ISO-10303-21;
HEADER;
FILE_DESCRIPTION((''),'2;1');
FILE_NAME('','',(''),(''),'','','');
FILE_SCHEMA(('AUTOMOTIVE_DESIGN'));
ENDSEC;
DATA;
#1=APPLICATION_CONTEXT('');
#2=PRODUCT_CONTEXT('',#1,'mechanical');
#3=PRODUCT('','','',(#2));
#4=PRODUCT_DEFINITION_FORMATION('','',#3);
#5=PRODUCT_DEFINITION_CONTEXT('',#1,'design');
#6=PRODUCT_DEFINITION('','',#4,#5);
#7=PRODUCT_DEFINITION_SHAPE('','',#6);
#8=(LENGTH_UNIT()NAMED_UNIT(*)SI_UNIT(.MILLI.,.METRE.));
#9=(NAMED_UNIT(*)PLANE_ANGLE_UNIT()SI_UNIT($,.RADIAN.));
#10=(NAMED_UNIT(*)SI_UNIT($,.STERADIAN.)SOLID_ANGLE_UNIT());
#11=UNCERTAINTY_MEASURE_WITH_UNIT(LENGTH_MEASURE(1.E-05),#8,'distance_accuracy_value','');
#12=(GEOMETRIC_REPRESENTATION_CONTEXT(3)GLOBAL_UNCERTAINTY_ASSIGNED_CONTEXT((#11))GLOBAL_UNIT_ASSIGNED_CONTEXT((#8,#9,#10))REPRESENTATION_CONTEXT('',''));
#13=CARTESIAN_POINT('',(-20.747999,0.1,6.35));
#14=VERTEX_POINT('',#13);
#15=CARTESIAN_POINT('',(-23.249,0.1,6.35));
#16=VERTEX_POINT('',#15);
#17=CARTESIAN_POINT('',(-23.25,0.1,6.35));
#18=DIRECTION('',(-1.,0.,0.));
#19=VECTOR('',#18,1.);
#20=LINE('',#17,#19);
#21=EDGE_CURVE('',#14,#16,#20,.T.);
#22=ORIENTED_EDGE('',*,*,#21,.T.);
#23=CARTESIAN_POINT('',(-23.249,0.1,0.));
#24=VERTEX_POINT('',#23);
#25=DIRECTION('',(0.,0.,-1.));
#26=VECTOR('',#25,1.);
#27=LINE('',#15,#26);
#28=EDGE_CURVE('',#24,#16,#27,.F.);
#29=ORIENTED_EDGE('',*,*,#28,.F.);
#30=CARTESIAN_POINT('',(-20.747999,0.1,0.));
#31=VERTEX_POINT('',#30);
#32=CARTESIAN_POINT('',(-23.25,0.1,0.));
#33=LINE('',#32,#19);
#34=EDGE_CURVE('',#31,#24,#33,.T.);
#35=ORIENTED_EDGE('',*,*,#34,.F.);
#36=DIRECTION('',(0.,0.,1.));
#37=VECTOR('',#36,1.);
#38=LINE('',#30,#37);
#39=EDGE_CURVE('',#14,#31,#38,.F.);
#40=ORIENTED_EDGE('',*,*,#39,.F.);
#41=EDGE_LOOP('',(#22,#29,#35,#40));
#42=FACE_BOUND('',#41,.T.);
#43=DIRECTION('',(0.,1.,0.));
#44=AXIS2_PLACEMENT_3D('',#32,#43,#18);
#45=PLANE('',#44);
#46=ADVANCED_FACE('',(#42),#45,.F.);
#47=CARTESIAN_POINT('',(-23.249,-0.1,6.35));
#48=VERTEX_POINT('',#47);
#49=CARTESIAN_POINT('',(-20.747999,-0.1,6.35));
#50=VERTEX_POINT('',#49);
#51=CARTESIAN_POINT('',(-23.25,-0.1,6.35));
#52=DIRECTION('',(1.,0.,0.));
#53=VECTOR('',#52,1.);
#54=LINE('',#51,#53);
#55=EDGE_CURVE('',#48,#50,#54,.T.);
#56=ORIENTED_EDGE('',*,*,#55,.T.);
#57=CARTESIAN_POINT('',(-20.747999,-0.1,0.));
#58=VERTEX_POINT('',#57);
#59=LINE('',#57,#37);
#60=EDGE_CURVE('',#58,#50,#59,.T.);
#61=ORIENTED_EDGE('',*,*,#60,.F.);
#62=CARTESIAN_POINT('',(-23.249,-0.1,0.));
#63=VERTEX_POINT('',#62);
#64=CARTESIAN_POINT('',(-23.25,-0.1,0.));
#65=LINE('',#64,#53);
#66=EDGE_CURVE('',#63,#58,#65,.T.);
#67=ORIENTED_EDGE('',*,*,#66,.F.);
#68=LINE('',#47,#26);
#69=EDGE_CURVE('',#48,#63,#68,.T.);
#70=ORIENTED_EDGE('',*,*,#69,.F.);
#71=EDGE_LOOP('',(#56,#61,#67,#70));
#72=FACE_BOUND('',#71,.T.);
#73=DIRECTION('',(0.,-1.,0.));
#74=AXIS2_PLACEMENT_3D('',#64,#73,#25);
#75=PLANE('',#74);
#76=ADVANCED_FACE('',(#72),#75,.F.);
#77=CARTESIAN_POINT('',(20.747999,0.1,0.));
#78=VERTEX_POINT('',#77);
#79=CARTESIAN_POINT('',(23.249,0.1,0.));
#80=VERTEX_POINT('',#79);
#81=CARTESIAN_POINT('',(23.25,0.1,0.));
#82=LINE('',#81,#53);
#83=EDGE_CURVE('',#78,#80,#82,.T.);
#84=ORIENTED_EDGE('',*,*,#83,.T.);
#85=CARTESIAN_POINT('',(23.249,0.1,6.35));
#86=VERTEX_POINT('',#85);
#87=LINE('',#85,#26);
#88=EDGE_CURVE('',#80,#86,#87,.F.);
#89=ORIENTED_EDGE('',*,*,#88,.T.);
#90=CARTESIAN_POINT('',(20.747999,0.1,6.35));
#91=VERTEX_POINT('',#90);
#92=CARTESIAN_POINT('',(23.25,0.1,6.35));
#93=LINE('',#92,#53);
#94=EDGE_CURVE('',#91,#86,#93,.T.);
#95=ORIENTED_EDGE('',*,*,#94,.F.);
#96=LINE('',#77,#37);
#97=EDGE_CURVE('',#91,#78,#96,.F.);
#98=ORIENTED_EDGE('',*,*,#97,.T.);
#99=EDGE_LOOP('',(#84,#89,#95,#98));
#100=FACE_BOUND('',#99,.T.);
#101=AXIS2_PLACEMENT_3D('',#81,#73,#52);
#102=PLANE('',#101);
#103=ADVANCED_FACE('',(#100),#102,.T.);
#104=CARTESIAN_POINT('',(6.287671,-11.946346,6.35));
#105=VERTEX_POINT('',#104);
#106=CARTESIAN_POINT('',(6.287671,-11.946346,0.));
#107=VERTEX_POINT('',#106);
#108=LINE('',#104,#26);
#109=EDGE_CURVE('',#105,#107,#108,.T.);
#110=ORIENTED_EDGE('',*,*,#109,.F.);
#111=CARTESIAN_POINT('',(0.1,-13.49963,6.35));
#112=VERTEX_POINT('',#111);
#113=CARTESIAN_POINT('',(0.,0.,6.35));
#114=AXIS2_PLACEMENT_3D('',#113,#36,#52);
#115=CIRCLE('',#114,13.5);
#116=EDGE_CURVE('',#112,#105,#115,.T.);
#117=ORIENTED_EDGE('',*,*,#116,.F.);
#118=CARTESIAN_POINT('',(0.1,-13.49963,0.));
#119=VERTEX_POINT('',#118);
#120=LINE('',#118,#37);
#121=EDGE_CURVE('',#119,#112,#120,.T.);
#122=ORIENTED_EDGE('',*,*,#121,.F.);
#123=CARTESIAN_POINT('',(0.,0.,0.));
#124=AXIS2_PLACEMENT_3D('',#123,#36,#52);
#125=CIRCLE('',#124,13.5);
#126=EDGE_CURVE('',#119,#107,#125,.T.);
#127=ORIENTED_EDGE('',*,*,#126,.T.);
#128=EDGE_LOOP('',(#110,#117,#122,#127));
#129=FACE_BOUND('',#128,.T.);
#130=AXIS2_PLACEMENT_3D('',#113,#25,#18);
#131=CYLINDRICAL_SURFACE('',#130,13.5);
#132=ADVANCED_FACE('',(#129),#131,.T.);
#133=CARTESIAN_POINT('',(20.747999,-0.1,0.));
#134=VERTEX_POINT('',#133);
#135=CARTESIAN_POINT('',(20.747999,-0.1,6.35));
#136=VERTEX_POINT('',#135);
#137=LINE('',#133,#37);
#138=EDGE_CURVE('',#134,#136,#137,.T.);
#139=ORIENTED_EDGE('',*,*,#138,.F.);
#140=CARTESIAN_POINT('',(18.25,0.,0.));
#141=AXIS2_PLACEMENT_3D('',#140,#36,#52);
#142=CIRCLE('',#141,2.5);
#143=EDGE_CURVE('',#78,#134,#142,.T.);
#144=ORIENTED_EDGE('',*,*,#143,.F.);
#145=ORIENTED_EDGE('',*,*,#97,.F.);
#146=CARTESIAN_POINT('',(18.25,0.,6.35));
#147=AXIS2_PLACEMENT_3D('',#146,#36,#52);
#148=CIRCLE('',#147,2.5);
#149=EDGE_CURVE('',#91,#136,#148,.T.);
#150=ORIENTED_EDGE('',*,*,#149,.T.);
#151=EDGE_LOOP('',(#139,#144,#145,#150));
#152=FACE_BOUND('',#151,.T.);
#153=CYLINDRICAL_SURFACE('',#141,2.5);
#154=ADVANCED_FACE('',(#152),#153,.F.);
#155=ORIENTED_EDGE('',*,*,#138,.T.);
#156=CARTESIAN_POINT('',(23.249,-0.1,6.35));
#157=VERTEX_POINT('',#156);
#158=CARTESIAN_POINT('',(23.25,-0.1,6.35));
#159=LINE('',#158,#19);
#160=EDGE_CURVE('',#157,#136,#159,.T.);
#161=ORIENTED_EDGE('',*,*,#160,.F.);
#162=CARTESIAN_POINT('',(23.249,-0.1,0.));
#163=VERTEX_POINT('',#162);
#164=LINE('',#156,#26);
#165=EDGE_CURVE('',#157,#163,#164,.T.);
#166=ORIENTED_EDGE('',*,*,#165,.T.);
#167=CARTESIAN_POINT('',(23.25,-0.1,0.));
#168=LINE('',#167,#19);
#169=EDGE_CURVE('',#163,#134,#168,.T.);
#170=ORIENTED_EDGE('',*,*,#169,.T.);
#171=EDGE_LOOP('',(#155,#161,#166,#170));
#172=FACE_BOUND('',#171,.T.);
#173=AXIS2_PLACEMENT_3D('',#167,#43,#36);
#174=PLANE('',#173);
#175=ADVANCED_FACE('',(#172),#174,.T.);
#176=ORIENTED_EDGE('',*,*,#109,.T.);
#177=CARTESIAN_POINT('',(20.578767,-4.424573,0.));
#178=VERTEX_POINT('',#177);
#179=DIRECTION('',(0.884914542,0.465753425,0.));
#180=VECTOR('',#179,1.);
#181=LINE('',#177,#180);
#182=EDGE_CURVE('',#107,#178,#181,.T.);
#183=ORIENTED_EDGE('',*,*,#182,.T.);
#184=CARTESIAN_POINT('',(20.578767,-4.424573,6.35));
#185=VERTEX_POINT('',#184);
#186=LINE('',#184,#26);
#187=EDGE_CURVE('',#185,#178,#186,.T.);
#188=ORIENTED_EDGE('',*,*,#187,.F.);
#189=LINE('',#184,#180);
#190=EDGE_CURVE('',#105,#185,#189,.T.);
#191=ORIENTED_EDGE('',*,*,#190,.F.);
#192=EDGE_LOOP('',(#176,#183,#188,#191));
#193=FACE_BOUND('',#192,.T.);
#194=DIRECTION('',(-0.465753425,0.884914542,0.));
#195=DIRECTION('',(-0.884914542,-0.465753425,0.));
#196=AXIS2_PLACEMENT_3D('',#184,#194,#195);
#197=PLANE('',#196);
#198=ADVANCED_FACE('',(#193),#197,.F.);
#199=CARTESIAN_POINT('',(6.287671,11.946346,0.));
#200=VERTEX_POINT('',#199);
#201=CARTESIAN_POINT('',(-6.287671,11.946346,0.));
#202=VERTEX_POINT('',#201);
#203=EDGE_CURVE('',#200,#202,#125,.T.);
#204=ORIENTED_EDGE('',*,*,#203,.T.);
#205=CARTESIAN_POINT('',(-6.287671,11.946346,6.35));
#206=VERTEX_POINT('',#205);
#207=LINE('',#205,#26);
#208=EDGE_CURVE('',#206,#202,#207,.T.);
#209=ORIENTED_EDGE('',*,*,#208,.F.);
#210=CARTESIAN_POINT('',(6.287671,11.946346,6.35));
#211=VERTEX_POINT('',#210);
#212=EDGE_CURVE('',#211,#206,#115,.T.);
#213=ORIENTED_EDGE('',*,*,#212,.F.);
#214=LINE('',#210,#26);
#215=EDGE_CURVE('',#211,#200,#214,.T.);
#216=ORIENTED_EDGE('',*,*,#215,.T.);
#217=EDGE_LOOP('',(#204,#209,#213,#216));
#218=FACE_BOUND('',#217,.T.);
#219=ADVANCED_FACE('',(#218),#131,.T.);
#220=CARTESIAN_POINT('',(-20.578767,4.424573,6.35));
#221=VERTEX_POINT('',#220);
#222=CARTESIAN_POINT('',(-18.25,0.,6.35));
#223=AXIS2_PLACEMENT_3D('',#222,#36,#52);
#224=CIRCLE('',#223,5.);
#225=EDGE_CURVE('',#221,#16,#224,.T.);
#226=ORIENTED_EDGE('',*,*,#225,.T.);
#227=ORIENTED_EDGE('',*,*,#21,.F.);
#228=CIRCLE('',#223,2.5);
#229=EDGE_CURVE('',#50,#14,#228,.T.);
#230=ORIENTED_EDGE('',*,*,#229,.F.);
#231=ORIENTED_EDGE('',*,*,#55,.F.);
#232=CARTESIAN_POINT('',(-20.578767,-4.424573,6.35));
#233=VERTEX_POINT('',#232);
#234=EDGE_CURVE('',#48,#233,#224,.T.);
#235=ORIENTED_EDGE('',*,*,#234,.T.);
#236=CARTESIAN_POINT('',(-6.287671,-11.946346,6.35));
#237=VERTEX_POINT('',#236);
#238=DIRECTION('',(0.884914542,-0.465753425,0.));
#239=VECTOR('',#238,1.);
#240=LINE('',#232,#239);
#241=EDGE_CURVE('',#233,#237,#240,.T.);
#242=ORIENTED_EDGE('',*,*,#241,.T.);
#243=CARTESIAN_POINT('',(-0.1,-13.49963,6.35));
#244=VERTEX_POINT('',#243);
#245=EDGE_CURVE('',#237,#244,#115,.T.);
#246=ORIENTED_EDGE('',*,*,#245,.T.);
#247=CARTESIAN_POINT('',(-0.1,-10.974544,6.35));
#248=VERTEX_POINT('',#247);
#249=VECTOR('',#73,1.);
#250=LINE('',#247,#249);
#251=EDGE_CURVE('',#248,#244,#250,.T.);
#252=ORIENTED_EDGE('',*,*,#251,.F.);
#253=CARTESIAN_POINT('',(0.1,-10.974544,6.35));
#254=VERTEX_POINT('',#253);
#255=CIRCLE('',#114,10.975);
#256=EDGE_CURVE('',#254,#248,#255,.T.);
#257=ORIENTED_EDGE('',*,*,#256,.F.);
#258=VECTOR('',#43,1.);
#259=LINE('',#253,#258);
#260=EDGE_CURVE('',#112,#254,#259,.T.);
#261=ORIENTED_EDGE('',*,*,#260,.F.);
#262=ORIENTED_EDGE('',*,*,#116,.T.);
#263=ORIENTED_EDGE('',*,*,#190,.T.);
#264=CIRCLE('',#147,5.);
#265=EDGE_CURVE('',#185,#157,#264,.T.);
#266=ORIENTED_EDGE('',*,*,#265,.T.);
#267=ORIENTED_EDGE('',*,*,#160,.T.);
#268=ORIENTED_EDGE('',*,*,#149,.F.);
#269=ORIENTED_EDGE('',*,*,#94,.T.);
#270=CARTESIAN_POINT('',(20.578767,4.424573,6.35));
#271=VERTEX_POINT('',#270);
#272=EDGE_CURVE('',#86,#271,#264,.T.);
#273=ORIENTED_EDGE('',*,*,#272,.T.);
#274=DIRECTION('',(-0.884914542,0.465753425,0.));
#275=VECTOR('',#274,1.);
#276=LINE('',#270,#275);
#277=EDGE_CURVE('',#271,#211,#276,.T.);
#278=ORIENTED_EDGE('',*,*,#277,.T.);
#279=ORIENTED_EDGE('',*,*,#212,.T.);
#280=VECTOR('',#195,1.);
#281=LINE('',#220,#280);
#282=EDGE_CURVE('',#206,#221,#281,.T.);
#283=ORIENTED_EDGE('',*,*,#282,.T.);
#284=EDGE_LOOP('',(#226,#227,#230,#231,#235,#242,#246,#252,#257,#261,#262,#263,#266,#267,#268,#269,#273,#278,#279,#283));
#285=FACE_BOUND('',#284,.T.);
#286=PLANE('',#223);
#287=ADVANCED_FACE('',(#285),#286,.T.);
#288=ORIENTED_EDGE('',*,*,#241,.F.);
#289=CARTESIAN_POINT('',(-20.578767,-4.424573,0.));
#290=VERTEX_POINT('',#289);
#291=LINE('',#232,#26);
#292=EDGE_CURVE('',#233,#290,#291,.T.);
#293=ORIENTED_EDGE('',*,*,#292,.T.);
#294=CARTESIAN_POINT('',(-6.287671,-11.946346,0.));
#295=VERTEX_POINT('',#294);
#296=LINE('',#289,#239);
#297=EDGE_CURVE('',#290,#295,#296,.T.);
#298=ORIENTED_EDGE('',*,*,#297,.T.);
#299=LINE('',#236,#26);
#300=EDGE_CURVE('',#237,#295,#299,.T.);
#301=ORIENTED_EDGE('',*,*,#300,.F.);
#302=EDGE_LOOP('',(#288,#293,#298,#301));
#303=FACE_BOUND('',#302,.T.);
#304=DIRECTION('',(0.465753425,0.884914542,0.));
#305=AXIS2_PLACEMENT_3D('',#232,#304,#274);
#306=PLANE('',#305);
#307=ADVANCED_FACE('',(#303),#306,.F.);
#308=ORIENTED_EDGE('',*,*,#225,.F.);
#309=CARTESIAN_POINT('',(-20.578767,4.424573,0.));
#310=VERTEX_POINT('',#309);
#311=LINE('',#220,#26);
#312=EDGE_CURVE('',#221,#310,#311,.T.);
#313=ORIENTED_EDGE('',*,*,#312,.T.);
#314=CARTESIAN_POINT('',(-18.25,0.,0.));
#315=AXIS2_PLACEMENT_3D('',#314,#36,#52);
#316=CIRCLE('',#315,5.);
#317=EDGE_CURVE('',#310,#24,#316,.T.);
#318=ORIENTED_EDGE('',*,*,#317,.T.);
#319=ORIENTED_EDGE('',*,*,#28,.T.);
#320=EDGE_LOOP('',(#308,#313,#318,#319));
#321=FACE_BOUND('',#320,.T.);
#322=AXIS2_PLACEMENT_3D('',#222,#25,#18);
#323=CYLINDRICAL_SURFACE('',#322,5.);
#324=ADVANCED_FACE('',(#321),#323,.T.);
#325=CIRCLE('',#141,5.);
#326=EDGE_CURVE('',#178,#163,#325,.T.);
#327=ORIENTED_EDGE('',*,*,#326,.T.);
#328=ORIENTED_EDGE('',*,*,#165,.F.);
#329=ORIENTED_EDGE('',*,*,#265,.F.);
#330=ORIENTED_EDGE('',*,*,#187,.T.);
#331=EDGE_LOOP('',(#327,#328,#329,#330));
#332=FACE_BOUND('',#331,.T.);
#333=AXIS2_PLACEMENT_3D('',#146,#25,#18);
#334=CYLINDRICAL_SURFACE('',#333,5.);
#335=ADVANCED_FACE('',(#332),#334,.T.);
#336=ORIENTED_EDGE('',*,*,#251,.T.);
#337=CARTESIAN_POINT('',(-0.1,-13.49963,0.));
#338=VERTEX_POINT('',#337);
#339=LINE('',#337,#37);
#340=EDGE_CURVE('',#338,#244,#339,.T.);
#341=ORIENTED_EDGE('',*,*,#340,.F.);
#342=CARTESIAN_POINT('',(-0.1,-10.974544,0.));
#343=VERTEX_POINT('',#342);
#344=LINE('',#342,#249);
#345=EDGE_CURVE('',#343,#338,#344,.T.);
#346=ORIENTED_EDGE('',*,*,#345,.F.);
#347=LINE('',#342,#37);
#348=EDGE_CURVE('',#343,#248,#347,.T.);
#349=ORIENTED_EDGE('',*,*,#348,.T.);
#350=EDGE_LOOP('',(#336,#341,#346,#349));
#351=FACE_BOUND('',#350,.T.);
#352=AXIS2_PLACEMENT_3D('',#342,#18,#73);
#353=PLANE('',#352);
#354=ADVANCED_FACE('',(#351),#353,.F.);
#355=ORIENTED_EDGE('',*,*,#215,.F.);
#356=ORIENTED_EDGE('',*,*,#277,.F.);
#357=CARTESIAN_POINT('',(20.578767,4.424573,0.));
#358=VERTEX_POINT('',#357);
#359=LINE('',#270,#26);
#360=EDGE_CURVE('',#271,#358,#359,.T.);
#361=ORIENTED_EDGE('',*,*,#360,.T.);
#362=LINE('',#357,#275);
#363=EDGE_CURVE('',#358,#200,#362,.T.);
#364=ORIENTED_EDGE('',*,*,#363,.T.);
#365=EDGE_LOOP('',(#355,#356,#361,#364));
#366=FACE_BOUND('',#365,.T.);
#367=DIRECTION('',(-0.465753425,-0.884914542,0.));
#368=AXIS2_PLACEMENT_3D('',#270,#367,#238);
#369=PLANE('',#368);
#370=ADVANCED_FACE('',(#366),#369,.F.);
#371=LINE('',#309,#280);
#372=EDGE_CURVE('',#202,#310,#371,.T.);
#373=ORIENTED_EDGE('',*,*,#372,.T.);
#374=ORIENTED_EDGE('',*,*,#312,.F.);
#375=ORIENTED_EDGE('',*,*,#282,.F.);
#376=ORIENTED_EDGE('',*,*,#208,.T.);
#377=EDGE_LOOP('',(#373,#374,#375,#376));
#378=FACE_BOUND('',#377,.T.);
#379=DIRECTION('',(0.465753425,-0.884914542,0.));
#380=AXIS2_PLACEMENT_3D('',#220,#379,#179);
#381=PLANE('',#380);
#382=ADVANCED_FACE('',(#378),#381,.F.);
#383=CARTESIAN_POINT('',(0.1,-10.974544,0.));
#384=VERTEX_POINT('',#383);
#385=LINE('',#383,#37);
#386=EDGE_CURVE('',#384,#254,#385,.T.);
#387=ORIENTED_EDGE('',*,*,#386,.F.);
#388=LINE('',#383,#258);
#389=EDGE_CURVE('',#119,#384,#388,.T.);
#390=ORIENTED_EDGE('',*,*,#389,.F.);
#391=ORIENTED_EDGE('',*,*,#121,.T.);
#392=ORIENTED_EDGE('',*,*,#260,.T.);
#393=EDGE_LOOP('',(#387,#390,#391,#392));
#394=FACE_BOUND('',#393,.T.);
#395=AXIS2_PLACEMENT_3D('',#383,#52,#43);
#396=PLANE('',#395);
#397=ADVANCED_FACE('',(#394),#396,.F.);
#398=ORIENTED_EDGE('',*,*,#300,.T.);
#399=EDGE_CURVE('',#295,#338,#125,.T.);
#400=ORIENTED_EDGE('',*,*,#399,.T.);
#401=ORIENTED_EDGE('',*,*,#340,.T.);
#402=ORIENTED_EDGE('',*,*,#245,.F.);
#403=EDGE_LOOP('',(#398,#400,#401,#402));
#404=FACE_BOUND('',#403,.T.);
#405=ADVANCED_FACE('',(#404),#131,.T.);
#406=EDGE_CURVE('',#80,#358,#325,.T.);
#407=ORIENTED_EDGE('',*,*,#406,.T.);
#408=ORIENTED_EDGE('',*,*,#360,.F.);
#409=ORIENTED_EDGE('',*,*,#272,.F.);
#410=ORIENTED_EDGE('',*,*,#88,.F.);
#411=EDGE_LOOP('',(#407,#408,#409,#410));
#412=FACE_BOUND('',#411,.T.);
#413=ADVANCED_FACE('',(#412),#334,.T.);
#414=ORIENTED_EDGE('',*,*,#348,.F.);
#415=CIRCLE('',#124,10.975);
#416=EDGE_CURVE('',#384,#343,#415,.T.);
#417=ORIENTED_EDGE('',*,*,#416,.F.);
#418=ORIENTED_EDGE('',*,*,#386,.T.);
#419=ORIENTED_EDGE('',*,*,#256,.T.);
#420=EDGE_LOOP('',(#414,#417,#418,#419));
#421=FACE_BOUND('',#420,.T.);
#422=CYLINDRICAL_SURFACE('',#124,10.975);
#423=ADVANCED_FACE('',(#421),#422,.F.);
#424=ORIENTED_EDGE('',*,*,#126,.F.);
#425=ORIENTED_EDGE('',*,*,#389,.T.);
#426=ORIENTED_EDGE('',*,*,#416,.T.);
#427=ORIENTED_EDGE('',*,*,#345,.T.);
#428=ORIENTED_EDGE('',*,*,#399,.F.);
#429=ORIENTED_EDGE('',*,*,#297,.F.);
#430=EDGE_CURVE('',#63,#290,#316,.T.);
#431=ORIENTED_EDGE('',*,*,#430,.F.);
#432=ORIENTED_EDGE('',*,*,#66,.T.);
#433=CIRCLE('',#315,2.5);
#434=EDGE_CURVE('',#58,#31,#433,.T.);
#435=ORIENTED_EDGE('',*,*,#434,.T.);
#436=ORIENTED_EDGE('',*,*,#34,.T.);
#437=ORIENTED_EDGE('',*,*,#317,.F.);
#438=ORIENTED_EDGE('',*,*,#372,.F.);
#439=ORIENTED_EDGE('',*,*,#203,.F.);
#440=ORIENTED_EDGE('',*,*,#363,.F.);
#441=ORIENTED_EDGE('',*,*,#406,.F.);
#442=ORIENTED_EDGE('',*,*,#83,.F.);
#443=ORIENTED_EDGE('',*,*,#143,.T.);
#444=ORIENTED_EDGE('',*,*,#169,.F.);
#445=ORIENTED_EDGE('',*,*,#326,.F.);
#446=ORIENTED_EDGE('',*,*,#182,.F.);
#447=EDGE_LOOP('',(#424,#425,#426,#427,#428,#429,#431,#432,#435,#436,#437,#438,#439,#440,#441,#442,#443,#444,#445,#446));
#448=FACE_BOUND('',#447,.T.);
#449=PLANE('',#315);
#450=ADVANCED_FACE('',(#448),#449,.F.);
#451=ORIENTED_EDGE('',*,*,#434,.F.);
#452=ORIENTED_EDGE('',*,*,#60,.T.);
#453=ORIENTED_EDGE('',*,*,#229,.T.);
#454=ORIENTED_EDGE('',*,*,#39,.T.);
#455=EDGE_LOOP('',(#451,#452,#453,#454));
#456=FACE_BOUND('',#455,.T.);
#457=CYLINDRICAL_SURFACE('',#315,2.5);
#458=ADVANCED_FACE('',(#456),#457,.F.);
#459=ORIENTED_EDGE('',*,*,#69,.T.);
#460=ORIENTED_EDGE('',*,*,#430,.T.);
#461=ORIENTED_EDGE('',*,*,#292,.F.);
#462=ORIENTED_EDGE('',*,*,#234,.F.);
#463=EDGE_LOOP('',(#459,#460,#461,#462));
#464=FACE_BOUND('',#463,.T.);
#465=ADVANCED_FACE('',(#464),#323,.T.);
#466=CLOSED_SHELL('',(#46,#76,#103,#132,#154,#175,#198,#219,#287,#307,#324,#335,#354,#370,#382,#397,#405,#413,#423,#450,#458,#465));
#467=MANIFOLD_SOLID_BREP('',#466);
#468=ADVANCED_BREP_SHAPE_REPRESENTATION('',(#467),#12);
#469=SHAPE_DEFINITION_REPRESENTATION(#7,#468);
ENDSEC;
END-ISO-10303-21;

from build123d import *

# Parameters (mm, degrees)
RESSALTO_EXTRUS_O1_DEPTH = 6.35
ESBO_O2_R                = 10.975
ESBO_O2_R_2              = 2.5
CORTE_EXTRUS_O1_DEPTH    = 28.62489819
CORTE_EXTRUS_O2_DEPTH    = 28.62489819
ESBO_O4_W                = 5
ESBO_O4_H                = 0.2
CORTE_EXTRUS_O3_DEPTH    = 28.62489819


with BuildPart() as part:
    # Esboço1 → Ressalto-extrusão1 (new body)
    with BuildSketch(Plane.XY):
        with BuildLine():
            Line((-20.578767123, 4.424572712), (-6.287671233, 11.946346323))
            ThreePointArc((-6.287671233, 11.946346323), (0, 13.5), (6.287671233, 11.946346323))
            Line((6.287671233, 11.946346323), (20.578767123, 4.424572712))
            ThreePointArc((20.578767123, 4.424572712), (23.25, 0), (20.578767123, -4.424572712))
            Line((20.578767123, -4.424572712), (6.287671233, -11.946346323))
            ThreePointArc((6.287671233, -11.946346323), (0, -13.5), (-6.287671233, -11.946346323))
            Line((-6.287671233, -11.946346323), (-20.578767123, -4.424572712))
            ThreePointArc((-20.578767123, -4.424572712), (-23.25, 0), (-20.578767123, 4.424572712))
        make_face()
    extrude(amount=RESSALTO_EXTRUS_O1_DEPTH)

    # Esboço2 → Corte-extrusão1 (cut, through all)
    with BuildSketch(Plane.XY.offset(6.35)):
        Circle(ESBO_O2_R)
        with Locations((-18.25, 0)):
            Circle(ESBO_O2_R_2)
        with Locations((18.25, 0)):
            Circle(ESBO_O2_R_2)
    extrude(amount=-CORTE_EXTRUS_O1_DEPTH, mode=Mode.SUBTRACT)

    # Esboço3 → Corte-extrusão2 (cut, through all)
    with BuildSketch(Plane.XY.offset(6.35)):
        with BuildLine():
            Line((0.1, -10.97454441), (0.1, -13.499629625))
            ThreePointArc((0.1, -13.499629625), (0, -13.5), (-0.1, -13.499629625))
            Line((-0.1, -13.499629625), (-0.1, -10.97454441))
            ThreePointArc((-0.1, -10.97454441), (0, -10.975), (0.1, -10.97454441))
        make_face()
    extrude(amount=-CORTE_EXTRUS_O2_DEPTH, mode=Mode.SUBTRACT)

    # Esboço4 → Corte-extrusão3 (cut, through all)
    with BuildSketch(Plane.XY.offset(6.35)):
        with Locations((-20.75, 0)):
            Rectangle(ESBO_O4_W, ESBO_O4_H)
    corte_extrus_o3 = extrude(amount=-CORTE_EXTRUS_O3_DEPTH, mode=Mode.SUBTRACT)

    # Espelhar1: Corte-extrusão3 across plane
    add(corte_extrus_o3.mirror(Plane(origin=(0, 0, 0), x_dir=(0, 0, 1), z_dir=(1, 0, 0))), mode=Mode.SUBTRACT)


solid = part.part
